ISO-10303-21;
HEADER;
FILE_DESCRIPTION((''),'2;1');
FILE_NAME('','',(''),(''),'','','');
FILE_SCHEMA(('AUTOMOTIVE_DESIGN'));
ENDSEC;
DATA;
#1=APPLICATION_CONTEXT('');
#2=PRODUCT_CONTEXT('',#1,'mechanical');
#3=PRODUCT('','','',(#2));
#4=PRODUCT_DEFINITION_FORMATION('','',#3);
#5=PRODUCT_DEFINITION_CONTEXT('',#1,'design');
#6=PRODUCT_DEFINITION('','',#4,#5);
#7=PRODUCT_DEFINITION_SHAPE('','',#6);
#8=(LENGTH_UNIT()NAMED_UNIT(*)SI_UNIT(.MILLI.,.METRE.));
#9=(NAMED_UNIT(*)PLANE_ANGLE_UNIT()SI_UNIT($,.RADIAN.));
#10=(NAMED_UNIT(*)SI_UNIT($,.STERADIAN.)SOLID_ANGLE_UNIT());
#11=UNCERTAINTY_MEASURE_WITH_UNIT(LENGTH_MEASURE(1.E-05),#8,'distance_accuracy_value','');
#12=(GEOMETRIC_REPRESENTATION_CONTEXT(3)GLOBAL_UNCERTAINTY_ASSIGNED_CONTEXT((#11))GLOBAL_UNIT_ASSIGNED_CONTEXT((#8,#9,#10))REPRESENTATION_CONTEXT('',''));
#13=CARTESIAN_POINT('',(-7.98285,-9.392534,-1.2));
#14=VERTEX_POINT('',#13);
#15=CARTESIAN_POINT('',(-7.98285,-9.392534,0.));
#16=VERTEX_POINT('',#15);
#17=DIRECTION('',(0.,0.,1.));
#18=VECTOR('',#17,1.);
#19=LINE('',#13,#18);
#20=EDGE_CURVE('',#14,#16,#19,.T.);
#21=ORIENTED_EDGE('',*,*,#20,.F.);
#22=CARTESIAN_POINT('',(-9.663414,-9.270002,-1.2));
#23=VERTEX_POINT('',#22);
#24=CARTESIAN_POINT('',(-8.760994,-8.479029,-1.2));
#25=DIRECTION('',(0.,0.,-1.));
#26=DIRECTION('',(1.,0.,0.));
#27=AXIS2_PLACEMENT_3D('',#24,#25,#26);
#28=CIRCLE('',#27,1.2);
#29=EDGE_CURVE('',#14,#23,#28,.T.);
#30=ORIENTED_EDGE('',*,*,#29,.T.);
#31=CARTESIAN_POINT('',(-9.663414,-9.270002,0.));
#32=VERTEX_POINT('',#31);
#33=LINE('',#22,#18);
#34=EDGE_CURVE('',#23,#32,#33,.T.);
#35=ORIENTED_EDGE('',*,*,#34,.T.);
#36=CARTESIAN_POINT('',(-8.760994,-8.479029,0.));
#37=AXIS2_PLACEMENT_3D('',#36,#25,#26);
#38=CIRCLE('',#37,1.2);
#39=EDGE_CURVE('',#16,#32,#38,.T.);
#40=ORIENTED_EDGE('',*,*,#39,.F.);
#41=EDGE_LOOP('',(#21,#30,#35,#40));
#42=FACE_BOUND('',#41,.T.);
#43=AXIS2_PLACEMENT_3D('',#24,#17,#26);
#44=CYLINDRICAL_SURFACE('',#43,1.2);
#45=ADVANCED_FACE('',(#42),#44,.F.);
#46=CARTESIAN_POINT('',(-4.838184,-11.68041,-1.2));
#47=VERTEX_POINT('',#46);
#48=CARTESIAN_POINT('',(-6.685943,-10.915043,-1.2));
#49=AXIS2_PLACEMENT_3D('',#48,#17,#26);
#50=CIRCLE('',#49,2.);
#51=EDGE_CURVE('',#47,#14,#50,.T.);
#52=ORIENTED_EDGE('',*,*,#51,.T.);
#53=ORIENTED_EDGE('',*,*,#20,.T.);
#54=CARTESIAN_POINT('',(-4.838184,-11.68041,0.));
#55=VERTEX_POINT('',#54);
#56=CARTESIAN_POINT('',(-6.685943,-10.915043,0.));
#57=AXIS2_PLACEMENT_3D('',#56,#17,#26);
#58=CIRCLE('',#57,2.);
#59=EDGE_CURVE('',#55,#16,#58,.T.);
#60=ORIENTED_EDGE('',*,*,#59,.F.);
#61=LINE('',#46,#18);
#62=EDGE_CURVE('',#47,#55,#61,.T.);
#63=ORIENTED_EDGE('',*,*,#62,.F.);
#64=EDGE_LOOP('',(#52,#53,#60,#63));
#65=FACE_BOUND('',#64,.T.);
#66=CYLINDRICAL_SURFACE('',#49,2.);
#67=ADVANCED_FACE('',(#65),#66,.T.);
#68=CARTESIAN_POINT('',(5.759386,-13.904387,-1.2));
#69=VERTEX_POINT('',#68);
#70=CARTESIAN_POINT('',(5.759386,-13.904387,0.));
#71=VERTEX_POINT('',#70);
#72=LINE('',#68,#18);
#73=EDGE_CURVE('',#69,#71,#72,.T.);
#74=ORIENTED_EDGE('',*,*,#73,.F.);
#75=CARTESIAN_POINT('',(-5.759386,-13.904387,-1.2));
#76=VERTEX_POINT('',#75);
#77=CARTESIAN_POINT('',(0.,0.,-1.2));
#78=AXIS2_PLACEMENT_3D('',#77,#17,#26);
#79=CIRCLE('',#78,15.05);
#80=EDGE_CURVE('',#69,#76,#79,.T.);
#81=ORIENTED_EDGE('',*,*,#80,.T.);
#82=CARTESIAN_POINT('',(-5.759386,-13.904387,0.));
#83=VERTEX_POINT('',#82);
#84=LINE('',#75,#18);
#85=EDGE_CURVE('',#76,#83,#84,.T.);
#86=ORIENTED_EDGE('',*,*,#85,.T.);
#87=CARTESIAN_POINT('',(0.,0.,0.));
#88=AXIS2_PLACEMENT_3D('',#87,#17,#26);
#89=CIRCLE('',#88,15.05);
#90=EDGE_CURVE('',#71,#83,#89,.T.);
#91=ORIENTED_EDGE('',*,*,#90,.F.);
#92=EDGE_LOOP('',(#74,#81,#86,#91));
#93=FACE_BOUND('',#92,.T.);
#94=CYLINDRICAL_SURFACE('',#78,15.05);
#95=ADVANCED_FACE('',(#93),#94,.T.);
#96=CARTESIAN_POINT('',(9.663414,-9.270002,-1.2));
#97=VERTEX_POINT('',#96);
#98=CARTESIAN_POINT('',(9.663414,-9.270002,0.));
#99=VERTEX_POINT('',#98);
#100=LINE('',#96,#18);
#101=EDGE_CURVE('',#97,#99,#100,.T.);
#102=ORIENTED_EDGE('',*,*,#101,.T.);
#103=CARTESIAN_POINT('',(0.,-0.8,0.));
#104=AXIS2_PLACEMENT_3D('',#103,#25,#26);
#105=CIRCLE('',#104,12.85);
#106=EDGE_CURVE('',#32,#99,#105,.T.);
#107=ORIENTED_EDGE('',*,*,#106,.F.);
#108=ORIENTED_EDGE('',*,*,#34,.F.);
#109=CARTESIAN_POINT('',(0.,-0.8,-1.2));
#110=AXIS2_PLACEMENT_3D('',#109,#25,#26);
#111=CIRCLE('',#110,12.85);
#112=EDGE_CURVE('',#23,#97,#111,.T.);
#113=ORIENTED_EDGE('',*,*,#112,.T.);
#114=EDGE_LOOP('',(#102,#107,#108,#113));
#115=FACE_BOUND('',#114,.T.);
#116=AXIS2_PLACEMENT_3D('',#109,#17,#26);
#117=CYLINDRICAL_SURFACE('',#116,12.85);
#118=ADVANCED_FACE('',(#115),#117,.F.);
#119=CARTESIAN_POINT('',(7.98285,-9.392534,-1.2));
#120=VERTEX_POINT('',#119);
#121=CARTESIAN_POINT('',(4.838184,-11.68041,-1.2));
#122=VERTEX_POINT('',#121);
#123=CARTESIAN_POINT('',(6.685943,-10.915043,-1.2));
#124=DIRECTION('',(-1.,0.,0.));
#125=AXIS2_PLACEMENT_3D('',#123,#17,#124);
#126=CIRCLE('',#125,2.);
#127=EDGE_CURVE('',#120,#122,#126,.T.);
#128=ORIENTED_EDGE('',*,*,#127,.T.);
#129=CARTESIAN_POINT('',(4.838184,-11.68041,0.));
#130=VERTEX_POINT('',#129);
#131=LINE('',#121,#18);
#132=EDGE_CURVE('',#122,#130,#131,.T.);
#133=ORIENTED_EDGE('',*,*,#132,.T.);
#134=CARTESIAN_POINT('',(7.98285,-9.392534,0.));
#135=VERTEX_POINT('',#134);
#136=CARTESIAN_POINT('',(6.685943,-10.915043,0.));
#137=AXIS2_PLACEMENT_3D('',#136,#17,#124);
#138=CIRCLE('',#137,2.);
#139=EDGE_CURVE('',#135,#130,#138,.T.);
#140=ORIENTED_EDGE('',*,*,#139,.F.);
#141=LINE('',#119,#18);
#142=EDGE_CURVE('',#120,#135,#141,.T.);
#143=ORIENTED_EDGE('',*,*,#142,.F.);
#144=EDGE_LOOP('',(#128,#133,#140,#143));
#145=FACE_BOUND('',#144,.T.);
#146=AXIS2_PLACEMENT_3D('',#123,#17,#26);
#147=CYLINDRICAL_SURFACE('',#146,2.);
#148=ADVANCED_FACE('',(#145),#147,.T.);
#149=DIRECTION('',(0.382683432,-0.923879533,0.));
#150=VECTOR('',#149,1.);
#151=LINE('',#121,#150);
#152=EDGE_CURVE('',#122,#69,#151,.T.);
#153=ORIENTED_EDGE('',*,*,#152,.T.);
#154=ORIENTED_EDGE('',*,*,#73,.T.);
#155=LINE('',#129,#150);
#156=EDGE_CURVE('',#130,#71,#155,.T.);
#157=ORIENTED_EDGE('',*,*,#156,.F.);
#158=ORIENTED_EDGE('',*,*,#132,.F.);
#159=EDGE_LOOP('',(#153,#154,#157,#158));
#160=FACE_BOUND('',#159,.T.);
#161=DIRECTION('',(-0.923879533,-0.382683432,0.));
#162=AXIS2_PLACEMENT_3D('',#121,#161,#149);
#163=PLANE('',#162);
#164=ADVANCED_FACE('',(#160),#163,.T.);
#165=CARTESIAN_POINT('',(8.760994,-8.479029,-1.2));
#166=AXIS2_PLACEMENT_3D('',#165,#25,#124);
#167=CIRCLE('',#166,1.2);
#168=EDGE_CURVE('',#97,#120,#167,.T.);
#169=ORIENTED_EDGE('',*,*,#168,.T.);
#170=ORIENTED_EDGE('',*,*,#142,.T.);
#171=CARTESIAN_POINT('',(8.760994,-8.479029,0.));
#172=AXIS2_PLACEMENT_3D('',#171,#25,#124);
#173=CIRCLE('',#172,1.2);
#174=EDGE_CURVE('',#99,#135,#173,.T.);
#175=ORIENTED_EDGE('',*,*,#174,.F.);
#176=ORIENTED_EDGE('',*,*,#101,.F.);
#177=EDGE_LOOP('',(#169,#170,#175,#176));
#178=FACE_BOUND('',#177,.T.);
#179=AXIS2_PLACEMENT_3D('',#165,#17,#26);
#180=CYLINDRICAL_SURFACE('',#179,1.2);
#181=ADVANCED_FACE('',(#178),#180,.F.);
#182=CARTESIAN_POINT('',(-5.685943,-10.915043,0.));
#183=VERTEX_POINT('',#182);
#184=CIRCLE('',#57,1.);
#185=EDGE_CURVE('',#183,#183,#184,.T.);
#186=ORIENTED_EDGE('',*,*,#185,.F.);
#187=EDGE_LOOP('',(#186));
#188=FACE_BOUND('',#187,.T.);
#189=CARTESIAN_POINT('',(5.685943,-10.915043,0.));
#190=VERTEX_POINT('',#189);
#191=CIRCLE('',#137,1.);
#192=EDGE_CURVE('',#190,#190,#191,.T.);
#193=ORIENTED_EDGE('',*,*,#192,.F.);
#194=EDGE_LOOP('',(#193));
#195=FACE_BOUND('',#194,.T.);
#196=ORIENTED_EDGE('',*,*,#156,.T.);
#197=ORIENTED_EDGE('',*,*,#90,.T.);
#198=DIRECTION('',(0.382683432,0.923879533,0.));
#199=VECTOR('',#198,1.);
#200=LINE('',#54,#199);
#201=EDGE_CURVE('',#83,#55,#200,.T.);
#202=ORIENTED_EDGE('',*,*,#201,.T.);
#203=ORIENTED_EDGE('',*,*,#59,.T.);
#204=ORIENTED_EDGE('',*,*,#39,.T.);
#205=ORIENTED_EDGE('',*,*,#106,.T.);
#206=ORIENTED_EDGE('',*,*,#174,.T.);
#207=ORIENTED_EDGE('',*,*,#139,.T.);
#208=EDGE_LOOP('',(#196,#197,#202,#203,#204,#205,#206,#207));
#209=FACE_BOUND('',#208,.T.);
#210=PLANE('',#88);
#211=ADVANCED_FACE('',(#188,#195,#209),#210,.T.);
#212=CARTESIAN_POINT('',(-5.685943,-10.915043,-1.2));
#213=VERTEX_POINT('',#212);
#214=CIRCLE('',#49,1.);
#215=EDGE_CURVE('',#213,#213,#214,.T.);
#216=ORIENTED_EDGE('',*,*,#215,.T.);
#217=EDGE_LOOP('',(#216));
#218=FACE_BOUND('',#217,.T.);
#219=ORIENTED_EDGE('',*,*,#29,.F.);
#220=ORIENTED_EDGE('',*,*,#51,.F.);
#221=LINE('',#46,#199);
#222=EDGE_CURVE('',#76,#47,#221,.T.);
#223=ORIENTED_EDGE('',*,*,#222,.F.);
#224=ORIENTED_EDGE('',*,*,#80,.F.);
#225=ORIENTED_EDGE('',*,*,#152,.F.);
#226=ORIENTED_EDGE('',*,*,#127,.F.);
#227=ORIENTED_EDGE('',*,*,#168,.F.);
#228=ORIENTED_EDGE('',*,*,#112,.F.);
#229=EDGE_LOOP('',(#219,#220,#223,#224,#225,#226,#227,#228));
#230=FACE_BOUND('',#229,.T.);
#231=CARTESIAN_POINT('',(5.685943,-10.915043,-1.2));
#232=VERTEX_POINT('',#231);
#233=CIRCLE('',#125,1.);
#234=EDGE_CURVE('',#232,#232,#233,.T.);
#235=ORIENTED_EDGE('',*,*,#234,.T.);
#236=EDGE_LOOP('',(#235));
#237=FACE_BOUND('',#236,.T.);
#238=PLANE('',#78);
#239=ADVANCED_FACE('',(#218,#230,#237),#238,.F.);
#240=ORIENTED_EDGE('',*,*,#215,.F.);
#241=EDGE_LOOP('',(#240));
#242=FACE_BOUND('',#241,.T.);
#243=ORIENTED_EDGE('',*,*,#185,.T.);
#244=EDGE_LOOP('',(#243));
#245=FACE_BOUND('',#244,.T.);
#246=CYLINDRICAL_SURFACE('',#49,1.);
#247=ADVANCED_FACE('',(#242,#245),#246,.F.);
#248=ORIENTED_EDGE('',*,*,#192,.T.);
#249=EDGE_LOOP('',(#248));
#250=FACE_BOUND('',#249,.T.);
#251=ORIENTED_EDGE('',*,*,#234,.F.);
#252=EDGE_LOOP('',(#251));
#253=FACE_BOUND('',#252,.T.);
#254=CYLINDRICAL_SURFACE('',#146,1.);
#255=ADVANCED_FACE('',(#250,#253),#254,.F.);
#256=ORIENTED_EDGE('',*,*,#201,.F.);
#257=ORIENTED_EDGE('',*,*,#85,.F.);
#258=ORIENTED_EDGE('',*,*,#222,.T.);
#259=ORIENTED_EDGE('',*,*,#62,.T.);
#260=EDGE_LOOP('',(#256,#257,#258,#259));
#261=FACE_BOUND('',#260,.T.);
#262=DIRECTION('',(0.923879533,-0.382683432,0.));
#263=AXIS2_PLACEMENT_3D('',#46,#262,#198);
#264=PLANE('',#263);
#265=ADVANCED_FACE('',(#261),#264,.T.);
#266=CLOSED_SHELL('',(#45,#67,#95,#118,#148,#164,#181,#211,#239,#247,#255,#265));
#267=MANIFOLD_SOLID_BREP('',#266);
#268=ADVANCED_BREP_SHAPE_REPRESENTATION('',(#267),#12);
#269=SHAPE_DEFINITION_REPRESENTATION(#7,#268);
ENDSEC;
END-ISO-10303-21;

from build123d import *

# Parameters (mm, degrees)
SKETCH1_R  = 1
BODY_DEPTH = 1.2


with BuildPart() as part:
    # Sketch1 → Body (new body)
    with BuildSketch(Plane.XY):
        with BuildLine():
            Line((4.838184168, -11.680409837), (5.759385657, -13.904386964))
            ThreePointArc((5.759385657, -13.904386964), (0, 15.05), (-5.759385657, -13.904386964))
            Line((-5.759385657, -13.904386964), (-4.838184168, -11.680409837))
            ThreePointArc((-4.838184168, -11.680409837), (-5.509315283, -9.297777791), (-7.982849932, -9.392534182))
            ThreePointArc((-7.982849932, -9.392534182), (-8.84825604, -9.675851923), (-9.66341393, -9.270001843))
            ThreePointArc((-9.66341393, -9.270001843), (0, 12.05), (9.66341393, -9.270001843))
            ThreePointArc((9.66341393, -9.270001843), (8.84825604, -9.675851923), (7.982849932, -9.392534182))
            ThreePointArc((7.982849932, -9.392534182), (5.509315283, -9.297777791), (4.838184168, -11.680409837))
        make_face()
        with Locations(Location((6.685943233, -10.915042972, 0), (0, 0, 180))):
            Circle(SKETCH1_R, mode=Mode.SUBTRACT)
        with Locations((-6.685943233, -10.915042972)):
            Circle(SKETCH1_R, mode=Mode.SUBTRACT)
    extrude(amount=-BODY_DEPTH)


solid = part.part
